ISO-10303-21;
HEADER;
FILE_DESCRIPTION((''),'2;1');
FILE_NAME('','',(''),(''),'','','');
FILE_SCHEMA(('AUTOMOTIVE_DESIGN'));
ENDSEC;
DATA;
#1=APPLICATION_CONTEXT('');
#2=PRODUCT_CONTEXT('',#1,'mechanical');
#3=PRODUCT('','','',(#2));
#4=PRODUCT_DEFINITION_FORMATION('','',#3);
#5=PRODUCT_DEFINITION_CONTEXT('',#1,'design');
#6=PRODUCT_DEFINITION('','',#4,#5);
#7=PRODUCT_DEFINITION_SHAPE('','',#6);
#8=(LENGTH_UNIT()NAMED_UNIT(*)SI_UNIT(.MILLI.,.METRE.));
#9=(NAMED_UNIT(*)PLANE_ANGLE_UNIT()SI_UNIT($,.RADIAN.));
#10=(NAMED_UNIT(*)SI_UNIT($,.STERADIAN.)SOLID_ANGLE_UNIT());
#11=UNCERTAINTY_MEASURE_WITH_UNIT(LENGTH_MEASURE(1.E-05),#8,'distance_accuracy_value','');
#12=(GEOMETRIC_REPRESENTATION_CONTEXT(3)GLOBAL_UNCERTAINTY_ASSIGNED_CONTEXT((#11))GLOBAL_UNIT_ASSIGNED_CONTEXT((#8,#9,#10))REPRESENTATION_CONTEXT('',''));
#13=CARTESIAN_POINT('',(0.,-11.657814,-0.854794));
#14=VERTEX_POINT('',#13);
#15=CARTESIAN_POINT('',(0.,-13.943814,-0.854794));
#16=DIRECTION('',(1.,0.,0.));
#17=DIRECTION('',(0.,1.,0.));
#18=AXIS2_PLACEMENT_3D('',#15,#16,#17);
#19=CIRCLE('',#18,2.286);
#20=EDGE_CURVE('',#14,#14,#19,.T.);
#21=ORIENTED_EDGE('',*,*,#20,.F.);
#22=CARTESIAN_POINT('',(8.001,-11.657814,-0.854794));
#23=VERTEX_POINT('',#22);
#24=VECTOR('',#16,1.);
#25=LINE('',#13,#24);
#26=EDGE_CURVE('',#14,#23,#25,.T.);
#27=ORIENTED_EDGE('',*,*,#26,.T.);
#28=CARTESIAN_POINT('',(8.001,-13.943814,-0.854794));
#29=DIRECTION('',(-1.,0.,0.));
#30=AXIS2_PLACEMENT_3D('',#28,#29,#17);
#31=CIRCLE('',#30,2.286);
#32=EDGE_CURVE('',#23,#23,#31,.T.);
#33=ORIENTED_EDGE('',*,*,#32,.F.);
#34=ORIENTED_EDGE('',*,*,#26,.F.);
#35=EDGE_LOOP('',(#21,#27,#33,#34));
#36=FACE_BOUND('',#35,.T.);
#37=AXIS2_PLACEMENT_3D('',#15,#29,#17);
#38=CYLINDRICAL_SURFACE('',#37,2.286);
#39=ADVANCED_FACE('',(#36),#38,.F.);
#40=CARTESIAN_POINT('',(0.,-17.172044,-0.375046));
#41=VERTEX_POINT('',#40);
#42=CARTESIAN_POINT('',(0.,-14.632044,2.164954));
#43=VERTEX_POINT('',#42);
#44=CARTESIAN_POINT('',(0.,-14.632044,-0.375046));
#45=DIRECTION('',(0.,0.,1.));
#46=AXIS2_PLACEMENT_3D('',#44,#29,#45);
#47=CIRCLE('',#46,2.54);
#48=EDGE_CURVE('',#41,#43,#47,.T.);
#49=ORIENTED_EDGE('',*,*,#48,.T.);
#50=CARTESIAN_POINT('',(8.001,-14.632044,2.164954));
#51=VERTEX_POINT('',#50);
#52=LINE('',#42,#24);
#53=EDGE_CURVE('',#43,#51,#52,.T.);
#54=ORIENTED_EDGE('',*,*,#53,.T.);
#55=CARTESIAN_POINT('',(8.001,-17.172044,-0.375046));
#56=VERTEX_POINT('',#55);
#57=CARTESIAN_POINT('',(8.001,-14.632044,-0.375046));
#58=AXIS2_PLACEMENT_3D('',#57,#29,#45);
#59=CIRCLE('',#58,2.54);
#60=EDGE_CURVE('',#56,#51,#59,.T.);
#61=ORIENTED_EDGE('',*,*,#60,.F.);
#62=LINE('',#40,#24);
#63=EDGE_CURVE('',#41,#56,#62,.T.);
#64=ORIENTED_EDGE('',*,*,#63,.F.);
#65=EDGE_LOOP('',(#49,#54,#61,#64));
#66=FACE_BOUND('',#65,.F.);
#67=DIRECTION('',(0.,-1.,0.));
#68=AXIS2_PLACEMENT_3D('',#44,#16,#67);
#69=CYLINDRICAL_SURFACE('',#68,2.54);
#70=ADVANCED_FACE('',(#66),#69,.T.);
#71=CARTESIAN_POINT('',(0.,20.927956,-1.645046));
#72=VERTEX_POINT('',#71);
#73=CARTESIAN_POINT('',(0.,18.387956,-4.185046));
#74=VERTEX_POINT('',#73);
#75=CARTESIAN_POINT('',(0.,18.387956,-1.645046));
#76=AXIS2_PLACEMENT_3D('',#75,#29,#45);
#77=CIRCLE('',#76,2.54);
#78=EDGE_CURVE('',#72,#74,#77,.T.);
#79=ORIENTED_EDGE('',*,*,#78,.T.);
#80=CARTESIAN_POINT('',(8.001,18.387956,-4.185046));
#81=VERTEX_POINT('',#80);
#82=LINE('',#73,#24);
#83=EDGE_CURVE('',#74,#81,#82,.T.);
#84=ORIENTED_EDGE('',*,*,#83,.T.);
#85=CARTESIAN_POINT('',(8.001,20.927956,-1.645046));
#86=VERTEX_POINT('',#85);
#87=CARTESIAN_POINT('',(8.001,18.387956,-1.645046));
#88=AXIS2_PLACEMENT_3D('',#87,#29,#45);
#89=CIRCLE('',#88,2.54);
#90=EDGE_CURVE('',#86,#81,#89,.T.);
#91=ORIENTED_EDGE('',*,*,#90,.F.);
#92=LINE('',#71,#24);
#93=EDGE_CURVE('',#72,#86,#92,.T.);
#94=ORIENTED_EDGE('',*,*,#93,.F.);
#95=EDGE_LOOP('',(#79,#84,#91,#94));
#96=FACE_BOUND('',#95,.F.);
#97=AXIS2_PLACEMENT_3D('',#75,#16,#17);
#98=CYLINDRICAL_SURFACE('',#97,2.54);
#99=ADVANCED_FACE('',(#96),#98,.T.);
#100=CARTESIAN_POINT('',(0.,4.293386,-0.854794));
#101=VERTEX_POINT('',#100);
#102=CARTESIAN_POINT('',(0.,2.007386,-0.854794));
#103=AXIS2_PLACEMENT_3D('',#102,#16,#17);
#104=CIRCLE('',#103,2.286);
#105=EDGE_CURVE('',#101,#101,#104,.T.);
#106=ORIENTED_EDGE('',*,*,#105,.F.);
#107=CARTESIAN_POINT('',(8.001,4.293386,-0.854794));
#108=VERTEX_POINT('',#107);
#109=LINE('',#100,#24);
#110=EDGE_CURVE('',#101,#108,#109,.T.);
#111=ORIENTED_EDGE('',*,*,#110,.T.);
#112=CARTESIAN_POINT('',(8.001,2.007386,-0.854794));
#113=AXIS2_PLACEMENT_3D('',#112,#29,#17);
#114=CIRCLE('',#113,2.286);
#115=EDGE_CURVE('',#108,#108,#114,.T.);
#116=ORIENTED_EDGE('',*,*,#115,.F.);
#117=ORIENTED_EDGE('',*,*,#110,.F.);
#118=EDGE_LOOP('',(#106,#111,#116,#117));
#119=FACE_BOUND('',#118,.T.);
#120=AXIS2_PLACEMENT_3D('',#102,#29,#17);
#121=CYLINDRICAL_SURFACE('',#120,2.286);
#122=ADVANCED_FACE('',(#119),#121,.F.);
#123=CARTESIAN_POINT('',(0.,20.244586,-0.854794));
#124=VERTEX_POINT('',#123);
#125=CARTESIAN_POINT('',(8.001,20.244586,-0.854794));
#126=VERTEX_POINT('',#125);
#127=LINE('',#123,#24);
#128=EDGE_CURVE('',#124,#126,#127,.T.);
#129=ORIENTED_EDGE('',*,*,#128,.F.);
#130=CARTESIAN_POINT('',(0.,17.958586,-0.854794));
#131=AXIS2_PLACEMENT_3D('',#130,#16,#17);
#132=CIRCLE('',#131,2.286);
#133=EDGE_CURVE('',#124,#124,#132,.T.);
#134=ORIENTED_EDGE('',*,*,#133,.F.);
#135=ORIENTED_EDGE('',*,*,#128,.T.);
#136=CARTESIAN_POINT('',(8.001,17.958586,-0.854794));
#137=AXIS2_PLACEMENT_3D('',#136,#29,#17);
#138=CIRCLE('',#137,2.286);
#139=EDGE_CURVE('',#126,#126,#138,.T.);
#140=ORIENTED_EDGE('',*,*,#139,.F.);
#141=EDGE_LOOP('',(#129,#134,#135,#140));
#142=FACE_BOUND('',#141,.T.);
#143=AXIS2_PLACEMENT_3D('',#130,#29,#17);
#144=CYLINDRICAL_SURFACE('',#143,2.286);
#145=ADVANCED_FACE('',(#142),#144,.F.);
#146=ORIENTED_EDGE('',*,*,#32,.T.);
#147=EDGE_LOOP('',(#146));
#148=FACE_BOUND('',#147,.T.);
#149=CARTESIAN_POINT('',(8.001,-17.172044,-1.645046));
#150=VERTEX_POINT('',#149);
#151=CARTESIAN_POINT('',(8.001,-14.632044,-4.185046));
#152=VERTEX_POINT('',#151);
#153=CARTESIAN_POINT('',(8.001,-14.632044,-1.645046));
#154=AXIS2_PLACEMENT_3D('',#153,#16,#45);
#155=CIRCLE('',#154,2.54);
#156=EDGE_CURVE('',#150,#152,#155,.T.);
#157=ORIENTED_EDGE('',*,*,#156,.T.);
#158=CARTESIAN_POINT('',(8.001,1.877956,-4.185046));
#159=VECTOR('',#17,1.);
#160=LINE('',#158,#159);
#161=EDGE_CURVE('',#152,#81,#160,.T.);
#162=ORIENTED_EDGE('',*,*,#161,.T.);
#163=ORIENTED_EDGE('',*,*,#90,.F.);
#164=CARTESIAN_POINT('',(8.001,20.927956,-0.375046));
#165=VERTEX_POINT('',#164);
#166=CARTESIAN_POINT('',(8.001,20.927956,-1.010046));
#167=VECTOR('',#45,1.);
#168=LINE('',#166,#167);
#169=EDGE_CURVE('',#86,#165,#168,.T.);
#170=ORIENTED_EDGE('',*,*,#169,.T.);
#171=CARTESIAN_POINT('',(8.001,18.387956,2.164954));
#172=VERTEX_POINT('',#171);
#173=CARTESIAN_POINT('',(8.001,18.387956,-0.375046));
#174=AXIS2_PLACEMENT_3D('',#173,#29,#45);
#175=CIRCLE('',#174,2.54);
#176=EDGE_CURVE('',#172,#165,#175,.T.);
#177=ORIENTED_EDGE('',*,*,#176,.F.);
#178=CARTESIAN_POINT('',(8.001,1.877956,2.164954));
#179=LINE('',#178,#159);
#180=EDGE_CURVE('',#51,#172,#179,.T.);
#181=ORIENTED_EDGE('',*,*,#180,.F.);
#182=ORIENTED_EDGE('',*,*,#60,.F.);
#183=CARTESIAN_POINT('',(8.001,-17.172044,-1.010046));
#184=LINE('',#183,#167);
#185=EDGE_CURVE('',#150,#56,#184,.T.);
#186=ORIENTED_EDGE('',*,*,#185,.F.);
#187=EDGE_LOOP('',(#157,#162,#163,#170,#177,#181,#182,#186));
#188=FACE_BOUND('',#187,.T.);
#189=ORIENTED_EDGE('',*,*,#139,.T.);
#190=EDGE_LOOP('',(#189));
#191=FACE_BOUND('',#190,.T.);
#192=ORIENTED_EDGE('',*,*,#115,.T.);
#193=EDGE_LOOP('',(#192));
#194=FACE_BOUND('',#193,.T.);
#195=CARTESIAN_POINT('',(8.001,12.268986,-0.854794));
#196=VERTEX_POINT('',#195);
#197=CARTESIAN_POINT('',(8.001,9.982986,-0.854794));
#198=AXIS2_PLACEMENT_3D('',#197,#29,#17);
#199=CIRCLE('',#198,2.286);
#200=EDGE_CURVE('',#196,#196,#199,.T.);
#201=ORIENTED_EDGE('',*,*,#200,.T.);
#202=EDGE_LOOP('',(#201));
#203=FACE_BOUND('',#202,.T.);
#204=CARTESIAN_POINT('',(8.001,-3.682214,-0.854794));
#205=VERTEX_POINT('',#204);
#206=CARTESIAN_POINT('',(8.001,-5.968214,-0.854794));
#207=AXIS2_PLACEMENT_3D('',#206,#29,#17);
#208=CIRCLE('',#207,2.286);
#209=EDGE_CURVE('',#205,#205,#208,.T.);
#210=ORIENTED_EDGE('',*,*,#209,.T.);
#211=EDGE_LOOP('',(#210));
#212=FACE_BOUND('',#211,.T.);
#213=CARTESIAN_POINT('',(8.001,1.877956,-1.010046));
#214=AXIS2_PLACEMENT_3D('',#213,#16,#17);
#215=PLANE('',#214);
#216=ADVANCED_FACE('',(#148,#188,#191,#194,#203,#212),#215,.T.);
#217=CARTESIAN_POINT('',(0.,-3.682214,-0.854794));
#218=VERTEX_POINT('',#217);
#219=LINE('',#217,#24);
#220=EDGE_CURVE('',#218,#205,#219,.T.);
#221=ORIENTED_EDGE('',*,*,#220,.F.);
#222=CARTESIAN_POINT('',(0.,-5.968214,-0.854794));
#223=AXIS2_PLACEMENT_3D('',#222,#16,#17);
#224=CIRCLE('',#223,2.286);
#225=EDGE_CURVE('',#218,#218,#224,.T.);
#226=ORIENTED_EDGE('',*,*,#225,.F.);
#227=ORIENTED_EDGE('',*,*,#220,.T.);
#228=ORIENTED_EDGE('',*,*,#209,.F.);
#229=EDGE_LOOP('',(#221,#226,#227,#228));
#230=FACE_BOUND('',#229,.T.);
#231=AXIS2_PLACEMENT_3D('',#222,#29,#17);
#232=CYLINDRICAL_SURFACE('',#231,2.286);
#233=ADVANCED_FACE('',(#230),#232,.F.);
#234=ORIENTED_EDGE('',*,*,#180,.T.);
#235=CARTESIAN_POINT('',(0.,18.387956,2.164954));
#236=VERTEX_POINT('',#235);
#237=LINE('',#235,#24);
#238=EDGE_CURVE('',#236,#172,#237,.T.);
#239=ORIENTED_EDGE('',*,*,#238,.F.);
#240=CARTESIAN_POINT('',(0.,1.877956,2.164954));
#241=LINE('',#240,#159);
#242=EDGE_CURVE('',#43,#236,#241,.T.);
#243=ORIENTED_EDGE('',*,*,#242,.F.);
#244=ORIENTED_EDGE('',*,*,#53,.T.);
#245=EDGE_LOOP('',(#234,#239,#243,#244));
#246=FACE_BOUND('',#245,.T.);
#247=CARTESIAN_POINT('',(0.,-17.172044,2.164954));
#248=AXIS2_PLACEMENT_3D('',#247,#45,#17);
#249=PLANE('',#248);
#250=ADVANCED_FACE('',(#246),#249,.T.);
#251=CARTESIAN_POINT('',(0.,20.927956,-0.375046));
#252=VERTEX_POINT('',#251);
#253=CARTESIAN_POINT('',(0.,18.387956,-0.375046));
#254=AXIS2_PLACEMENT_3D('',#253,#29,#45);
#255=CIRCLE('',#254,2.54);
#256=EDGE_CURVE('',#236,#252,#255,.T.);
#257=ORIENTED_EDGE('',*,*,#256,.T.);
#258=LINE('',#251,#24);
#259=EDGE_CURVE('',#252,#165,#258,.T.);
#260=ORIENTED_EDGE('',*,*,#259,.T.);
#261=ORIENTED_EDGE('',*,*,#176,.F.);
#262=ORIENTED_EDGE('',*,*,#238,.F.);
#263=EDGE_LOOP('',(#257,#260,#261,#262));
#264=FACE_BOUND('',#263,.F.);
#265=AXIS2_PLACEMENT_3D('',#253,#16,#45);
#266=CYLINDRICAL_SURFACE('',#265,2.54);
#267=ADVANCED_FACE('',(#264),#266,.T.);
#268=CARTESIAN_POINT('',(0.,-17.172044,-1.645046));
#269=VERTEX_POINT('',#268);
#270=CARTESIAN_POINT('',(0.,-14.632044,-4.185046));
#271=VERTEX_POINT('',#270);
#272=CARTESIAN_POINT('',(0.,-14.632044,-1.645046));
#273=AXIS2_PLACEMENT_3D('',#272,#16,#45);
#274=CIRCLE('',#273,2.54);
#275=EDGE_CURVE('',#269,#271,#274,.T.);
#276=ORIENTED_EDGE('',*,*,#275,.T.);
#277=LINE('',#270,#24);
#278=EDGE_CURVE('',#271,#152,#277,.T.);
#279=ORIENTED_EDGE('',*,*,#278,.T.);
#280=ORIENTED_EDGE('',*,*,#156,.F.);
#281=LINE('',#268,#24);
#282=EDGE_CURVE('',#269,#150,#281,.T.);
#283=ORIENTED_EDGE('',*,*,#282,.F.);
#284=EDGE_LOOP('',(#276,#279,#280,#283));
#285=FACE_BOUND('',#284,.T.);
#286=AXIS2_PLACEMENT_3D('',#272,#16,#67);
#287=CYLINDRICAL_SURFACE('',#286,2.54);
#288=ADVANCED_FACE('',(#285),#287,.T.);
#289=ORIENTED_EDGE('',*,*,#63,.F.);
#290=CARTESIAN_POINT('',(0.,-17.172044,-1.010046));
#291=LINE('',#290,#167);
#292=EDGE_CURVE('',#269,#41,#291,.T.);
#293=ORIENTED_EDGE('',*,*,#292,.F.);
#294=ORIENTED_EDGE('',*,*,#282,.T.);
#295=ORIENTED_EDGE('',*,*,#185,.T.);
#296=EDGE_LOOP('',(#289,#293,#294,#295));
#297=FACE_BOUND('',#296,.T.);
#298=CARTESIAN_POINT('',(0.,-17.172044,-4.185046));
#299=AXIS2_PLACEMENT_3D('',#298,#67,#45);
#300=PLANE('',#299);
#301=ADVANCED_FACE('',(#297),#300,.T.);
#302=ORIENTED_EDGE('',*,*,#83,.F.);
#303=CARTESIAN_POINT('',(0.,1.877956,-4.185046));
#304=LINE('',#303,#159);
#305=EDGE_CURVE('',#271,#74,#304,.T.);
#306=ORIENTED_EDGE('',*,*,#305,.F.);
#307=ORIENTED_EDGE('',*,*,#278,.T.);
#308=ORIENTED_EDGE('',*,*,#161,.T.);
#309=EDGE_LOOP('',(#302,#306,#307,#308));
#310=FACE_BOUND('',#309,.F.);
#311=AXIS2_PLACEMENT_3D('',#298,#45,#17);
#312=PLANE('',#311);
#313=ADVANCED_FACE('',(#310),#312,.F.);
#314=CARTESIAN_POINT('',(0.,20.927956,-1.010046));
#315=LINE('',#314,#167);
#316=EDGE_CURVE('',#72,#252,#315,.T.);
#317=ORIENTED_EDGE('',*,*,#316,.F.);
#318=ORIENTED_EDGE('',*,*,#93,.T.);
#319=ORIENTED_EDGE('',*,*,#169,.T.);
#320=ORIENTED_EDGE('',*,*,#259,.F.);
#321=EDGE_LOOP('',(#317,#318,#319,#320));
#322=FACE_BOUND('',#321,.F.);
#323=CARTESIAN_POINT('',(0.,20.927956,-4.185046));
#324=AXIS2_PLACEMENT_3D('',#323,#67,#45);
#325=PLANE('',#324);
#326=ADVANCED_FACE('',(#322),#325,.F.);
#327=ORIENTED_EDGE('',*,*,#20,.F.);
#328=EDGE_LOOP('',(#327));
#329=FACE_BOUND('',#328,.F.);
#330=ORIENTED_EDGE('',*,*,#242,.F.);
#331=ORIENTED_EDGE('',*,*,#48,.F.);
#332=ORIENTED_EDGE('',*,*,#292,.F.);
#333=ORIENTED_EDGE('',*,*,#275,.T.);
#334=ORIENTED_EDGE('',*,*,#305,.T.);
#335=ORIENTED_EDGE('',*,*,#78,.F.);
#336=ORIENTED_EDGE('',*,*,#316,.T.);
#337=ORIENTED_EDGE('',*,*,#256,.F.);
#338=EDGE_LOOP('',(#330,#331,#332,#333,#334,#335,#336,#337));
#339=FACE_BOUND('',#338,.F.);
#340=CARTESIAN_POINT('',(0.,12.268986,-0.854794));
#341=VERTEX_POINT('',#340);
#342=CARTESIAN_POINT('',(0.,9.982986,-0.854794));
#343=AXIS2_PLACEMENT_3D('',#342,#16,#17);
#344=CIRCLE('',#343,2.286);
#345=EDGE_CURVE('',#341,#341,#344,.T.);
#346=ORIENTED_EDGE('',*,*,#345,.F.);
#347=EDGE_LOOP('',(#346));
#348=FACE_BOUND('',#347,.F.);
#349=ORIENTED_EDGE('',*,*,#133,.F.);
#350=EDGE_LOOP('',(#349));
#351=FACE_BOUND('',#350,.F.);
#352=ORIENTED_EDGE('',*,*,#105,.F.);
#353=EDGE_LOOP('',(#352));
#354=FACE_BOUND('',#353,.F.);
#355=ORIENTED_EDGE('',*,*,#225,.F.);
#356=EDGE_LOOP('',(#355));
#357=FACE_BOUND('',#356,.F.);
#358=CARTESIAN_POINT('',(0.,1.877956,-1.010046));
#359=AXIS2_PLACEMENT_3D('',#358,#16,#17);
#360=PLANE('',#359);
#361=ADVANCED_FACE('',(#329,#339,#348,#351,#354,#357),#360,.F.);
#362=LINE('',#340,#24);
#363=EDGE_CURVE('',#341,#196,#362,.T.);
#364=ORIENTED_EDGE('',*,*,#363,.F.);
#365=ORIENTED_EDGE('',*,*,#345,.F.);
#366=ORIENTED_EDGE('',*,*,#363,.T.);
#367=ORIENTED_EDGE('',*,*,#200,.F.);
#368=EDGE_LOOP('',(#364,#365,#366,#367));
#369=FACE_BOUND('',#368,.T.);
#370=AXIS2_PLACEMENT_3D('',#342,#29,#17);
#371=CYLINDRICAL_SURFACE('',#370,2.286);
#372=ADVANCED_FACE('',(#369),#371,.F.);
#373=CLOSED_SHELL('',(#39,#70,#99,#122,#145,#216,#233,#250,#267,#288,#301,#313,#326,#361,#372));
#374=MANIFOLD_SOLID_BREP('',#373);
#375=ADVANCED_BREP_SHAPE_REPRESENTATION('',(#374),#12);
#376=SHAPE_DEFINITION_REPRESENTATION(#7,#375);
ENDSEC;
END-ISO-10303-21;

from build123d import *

# Parameters (mm, degrees)
F0_W     = 38.1
F0_H     = 6.35
F2_DEPTH = 8.001
F1_R     = 2.286
F3_DEPTH = 25.4
F4_R     = 2.54
F5_R     = 2.54
F6_R     = 2.54
F7_R     = 2.54


with BuildPart() as f2:
    # F0 (on Right) → F2 (new body)
    with BuildSketch(Plane.YZ):
        with Locations((1.877956, -1.010046)):
            Rectangle(F0_W, F0_H)
    extrude(amount=F2_DEPTH)

    # F1 (on face) → F3 (cut)
    with BuildSketch(Plane.YZ):
        with Locations((-13.943814, -0.854794)):
            Circle(F1_R)
        with Locations((-5.968214, -0.854794)):
            Circle(F1_R)
        with Locations((2.007386, -0.854794)):
            Circle(F1_R)
        with Locations((9.982986, -0.854794)):
            Circle(F1_R)
        with Locations((17.958586, -0.854794)):
            Circle(F1_R)
    extrude(amount=F3_DEPTH, mode=Mode.SUBTRACT)

    # F4
    f4_edges = [f2.edges().sort_by_distance(p)[0] for p in [
        (4.0005, -17.172044, 2.164954),
    ]]
    fillet(f4_edges, radius=F4_R)

    # F5
    f5_edges = [f2.edges().sort_by_distance(p)[0] for p in [
        (4.0005, -17.172044, -4.185046),
    ]]
    fillet(f5_edges, radius=F5_R)

    # F6
    f6_edges = [f2.edges().sort_by_distance(p)[0] for p in [
        (4.0005, 20.927956, 2.164954),
    ]]
    fillet(f6_edges, radius=F6_R)

    # F7
    f7_edges = [f2.edges().sort_by_distance(p)[0] for p in [
        (4.0005, 20.927956, -4.185046),
    ]]
    fillet(f7_edges, radius=F7_R)


solid = f2.part
